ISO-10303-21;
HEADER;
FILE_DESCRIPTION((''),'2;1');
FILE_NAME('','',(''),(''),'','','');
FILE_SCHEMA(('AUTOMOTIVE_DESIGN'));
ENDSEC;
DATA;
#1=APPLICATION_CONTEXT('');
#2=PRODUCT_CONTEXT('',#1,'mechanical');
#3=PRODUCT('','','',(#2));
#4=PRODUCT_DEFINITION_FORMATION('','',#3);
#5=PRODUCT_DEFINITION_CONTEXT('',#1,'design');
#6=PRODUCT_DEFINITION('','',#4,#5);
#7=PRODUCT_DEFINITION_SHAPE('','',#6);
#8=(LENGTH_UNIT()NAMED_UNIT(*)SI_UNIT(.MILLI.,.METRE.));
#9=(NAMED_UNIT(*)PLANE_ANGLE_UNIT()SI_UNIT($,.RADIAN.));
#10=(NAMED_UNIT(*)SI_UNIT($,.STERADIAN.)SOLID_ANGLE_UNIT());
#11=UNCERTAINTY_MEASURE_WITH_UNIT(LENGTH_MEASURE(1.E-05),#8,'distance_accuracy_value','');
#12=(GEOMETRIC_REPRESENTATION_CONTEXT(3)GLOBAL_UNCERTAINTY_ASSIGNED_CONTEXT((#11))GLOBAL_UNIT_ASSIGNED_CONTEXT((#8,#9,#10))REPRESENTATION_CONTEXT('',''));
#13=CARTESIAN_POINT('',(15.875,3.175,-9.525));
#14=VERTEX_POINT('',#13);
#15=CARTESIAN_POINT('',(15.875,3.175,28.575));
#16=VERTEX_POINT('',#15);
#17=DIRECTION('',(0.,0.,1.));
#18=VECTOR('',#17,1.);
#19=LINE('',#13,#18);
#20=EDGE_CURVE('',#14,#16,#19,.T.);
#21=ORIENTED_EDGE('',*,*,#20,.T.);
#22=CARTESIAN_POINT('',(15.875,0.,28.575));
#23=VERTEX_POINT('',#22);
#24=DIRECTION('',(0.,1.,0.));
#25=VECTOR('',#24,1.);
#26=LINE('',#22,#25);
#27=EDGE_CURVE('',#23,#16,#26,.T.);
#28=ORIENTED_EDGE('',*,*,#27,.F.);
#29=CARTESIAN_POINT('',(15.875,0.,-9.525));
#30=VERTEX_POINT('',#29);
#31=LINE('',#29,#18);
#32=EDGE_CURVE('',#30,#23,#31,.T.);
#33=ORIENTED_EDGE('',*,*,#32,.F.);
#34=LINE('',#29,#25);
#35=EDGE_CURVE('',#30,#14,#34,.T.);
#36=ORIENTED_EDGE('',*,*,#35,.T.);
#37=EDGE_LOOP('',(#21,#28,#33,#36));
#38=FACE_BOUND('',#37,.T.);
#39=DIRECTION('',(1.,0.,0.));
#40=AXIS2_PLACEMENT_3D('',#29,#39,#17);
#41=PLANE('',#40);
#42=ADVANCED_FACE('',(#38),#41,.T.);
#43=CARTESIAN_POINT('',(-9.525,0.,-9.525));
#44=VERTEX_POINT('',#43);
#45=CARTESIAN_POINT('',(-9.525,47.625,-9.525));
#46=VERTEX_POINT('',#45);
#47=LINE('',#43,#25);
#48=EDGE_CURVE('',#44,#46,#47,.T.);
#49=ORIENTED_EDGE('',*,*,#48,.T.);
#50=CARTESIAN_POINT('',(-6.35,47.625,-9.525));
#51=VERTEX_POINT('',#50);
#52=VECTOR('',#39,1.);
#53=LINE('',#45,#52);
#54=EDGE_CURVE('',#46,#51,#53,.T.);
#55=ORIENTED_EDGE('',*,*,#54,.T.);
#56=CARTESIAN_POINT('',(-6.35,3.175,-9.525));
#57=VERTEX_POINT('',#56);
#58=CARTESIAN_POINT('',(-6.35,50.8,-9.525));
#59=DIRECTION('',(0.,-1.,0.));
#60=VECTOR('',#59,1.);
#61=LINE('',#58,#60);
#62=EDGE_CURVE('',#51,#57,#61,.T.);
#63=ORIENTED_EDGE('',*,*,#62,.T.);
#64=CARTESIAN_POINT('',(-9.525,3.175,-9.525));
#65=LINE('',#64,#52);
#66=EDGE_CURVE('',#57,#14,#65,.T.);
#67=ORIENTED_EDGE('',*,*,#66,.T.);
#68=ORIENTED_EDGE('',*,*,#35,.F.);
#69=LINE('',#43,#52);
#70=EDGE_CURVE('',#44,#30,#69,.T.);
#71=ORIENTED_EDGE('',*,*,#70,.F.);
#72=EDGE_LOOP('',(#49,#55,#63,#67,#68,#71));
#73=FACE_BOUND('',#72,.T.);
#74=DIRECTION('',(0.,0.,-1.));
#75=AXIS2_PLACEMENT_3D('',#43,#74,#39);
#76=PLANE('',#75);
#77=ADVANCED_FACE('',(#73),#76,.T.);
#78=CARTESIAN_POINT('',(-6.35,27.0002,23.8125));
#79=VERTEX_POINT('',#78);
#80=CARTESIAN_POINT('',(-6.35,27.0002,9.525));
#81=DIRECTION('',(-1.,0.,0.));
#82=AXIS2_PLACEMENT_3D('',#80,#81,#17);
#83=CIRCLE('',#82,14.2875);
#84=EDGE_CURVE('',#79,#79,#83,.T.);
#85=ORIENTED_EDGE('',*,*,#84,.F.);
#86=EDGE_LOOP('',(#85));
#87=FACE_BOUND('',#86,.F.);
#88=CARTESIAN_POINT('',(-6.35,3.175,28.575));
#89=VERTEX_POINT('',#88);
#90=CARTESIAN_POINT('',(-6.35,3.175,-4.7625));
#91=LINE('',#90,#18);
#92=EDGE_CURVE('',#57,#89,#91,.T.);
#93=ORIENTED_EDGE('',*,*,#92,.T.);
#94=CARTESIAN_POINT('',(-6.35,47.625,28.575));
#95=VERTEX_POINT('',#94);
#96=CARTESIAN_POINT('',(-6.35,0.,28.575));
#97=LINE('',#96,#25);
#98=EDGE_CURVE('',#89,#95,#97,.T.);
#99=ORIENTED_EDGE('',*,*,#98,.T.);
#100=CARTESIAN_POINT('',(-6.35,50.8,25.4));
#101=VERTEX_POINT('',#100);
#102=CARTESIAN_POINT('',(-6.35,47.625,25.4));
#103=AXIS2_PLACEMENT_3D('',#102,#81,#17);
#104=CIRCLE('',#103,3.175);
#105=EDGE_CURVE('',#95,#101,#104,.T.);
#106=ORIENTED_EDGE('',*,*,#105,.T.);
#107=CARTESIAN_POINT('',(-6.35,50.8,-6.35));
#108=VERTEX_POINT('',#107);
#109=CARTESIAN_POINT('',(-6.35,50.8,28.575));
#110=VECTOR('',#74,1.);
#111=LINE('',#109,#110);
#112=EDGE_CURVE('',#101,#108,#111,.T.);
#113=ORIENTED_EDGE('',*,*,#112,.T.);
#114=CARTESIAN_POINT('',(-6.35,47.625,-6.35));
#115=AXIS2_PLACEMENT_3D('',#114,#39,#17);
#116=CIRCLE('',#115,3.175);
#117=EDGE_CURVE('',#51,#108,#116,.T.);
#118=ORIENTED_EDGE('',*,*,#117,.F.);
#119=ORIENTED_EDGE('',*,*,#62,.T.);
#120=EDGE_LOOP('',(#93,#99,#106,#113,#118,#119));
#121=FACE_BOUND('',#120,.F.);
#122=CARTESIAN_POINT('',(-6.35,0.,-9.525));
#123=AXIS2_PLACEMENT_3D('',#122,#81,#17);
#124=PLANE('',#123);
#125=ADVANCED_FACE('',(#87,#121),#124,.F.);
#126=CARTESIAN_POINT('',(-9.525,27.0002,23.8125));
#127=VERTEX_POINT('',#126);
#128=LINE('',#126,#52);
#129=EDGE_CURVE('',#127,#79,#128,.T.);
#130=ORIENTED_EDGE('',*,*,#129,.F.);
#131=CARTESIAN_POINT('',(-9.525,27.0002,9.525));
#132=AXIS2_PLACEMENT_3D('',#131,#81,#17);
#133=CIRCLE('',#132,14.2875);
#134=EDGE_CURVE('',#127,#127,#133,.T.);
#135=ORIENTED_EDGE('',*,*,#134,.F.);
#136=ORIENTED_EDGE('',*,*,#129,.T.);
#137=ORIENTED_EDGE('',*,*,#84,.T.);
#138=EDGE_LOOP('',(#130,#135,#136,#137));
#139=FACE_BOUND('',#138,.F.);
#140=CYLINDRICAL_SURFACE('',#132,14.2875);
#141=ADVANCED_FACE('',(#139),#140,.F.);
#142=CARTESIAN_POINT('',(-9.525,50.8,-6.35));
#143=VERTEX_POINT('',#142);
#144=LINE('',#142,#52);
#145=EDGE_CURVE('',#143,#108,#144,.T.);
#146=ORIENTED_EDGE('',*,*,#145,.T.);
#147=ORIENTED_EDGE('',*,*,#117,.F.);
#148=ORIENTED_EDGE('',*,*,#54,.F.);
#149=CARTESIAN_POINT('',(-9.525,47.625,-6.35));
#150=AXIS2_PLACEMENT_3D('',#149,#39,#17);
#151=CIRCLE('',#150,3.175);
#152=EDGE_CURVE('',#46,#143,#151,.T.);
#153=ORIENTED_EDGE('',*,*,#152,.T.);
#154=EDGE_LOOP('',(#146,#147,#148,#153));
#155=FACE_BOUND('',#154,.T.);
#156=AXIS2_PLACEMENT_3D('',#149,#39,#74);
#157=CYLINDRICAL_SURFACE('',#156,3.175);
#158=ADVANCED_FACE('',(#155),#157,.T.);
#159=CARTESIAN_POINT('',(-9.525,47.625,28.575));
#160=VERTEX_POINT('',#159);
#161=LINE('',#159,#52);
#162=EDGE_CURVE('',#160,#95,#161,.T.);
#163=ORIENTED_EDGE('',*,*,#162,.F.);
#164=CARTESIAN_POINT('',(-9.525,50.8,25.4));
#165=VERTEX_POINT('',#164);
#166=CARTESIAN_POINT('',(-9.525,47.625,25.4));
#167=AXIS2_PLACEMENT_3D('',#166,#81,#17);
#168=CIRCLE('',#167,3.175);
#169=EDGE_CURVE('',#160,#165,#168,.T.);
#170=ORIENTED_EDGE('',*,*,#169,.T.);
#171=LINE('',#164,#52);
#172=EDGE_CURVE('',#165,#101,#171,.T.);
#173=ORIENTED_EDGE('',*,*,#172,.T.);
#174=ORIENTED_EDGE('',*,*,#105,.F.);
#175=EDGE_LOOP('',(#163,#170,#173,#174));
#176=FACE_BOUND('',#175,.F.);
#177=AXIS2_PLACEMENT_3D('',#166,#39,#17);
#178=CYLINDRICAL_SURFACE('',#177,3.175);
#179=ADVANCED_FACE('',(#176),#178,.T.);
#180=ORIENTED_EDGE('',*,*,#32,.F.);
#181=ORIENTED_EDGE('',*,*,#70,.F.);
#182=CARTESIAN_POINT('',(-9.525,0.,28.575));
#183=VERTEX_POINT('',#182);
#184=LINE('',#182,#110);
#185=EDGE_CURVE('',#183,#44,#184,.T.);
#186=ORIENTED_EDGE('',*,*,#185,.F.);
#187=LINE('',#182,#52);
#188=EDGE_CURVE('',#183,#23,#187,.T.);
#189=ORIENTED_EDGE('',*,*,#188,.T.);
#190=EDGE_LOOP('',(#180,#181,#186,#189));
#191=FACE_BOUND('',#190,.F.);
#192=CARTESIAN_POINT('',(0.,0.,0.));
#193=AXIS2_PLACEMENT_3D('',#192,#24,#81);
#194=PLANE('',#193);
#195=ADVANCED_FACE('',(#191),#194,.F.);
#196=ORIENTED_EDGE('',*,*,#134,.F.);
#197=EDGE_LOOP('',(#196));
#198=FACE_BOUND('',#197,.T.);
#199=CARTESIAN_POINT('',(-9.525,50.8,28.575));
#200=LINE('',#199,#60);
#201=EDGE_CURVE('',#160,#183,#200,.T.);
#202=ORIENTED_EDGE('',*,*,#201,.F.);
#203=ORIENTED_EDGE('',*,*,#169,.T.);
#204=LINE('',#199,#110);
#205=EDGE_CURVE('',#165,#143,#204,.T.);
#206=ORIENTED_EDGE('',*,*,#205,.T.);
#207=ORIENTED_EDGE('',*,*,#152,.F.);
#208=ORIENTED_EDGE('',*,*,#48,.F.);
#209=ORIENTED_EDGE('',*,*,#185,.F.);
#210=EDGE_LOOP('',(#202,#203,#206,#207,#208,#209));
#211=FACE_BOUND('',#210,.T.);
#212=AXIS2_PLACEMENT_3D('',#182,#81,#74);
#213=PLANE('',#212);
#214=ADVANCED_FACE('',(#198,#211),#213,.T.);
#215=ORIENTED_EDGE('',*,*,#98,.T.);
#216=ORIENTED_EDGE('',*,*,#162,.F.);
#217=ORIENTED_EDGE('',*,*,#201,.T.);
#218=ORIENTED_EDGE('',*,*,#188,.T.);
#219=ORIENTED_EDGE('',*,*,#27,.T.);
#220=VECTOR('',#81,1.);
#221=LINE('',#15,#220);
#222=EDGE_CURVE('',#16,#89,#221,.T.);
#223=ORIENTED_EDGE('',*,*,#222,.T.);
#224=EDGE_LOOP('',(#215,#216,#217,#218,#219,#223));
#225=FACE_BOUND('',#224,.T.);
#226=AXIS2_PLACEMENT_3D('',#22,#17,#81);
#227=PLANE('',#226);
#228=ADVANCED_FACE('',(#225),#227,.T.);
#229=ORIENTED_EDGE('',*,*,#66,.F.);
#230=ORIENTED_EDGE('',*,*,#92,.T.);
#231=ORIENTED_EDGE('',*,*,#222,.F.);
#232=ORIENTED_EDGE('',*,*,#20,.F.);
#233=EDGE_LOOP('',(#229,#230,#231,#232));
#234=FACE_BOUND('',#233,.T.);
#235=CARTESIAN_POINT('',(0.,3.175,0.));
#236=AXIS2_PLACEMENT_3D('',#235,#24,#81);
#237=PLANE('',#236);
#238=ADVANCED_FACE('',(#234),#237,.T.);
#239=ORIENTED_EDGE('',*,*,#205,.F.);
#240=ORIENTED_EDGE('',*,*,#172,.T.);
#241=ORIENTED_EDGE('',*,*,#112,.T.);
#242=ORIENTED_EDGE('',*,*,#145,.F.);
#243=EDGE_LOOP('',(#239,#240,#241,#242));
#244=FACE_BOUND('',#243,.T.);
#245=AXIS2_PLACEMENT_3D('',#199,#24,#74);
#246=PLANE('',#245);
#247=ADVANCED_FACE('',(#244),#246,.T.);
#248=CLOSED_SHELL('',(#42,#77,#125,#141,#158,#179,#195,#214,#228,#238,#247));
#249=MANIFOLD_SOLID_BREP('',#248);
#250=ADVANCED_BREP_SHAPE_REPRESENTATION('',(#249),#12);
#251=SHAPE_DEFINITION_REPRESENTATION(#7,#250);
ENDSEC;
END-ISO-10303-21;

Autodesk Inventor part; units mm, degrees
ref_plane "YZ Plane" through (0, 0, 0) normal (1, 0, 0) x (0, 1, 0)
ref_plane "XZ Plane" through (0, 0, 0) normal (0, 1, 0) x (-1, 0, 0)
ref_plane "XY Plane" through (0, 0, 0) normal (0, 0, 1) x (1, 0, 0)
sketch "Sketch1" plane through (0, 0, 0) normal (0, 1, 0) x (-1, 0, 0)
  line L0 (-15.875, 28.575) -> (9.525, 28.575)
  line L1 (9.525, 28.575) -> (9.525, -9.525)
  line L2 (9.525, -9.525) -> (-15.875, -9.525)
  line L3 (-15.875, -9.525) -> (-15.875, 28.575)
  point P0 (0, 0)
  dimension "d0" = 38.1
  dimension "d1" = 25.4
  dimension "d2" = 9.525
  dimension "d3" = 9.525
extrude "Extrusion1" add sketch "Sketch1" along normal blind 3.175
sketch "Sketch4" plane through (-9.525, 0, -9.525) normal (-1, 0, 0) x (0, 0, 1)
  circle A0 centre (19.05, 27.0002) radius 14.2875
  line L0 (38.1, 0) -> (38.1, 3.175) projected
  line L1 (38.1, 3.175) -> (0, 3.175) projected
  line L2 (0, 0) -> (38.1, 0) projected
  line L3 (0, 0) -> (38.1, 0)
  line L4 (38.1, 0) -> (38.1, 50.8)
  line L5 (38.1, 50.8) -> (0, 50.8)
  line L6 (0, 50.8) -> (0, 0)
  point P0 (9.525, 0)
  dimension "d11" = 19.05
  dimension "d12" = 28.575
  dimension "d14" = 50.8
  dimension "d18" = 27.0002
  dimension "d19" = 38.1
extrude "Extrusion2" add sketch "Sketch4" against normal blind 3.175
fillet "Fillet1" radius 3.175 2 edges at (-7.9375, 50.8, 28.575) (-7.9375, 50.8, -9.525)
properties part number "ARM_011_BearingMount"
